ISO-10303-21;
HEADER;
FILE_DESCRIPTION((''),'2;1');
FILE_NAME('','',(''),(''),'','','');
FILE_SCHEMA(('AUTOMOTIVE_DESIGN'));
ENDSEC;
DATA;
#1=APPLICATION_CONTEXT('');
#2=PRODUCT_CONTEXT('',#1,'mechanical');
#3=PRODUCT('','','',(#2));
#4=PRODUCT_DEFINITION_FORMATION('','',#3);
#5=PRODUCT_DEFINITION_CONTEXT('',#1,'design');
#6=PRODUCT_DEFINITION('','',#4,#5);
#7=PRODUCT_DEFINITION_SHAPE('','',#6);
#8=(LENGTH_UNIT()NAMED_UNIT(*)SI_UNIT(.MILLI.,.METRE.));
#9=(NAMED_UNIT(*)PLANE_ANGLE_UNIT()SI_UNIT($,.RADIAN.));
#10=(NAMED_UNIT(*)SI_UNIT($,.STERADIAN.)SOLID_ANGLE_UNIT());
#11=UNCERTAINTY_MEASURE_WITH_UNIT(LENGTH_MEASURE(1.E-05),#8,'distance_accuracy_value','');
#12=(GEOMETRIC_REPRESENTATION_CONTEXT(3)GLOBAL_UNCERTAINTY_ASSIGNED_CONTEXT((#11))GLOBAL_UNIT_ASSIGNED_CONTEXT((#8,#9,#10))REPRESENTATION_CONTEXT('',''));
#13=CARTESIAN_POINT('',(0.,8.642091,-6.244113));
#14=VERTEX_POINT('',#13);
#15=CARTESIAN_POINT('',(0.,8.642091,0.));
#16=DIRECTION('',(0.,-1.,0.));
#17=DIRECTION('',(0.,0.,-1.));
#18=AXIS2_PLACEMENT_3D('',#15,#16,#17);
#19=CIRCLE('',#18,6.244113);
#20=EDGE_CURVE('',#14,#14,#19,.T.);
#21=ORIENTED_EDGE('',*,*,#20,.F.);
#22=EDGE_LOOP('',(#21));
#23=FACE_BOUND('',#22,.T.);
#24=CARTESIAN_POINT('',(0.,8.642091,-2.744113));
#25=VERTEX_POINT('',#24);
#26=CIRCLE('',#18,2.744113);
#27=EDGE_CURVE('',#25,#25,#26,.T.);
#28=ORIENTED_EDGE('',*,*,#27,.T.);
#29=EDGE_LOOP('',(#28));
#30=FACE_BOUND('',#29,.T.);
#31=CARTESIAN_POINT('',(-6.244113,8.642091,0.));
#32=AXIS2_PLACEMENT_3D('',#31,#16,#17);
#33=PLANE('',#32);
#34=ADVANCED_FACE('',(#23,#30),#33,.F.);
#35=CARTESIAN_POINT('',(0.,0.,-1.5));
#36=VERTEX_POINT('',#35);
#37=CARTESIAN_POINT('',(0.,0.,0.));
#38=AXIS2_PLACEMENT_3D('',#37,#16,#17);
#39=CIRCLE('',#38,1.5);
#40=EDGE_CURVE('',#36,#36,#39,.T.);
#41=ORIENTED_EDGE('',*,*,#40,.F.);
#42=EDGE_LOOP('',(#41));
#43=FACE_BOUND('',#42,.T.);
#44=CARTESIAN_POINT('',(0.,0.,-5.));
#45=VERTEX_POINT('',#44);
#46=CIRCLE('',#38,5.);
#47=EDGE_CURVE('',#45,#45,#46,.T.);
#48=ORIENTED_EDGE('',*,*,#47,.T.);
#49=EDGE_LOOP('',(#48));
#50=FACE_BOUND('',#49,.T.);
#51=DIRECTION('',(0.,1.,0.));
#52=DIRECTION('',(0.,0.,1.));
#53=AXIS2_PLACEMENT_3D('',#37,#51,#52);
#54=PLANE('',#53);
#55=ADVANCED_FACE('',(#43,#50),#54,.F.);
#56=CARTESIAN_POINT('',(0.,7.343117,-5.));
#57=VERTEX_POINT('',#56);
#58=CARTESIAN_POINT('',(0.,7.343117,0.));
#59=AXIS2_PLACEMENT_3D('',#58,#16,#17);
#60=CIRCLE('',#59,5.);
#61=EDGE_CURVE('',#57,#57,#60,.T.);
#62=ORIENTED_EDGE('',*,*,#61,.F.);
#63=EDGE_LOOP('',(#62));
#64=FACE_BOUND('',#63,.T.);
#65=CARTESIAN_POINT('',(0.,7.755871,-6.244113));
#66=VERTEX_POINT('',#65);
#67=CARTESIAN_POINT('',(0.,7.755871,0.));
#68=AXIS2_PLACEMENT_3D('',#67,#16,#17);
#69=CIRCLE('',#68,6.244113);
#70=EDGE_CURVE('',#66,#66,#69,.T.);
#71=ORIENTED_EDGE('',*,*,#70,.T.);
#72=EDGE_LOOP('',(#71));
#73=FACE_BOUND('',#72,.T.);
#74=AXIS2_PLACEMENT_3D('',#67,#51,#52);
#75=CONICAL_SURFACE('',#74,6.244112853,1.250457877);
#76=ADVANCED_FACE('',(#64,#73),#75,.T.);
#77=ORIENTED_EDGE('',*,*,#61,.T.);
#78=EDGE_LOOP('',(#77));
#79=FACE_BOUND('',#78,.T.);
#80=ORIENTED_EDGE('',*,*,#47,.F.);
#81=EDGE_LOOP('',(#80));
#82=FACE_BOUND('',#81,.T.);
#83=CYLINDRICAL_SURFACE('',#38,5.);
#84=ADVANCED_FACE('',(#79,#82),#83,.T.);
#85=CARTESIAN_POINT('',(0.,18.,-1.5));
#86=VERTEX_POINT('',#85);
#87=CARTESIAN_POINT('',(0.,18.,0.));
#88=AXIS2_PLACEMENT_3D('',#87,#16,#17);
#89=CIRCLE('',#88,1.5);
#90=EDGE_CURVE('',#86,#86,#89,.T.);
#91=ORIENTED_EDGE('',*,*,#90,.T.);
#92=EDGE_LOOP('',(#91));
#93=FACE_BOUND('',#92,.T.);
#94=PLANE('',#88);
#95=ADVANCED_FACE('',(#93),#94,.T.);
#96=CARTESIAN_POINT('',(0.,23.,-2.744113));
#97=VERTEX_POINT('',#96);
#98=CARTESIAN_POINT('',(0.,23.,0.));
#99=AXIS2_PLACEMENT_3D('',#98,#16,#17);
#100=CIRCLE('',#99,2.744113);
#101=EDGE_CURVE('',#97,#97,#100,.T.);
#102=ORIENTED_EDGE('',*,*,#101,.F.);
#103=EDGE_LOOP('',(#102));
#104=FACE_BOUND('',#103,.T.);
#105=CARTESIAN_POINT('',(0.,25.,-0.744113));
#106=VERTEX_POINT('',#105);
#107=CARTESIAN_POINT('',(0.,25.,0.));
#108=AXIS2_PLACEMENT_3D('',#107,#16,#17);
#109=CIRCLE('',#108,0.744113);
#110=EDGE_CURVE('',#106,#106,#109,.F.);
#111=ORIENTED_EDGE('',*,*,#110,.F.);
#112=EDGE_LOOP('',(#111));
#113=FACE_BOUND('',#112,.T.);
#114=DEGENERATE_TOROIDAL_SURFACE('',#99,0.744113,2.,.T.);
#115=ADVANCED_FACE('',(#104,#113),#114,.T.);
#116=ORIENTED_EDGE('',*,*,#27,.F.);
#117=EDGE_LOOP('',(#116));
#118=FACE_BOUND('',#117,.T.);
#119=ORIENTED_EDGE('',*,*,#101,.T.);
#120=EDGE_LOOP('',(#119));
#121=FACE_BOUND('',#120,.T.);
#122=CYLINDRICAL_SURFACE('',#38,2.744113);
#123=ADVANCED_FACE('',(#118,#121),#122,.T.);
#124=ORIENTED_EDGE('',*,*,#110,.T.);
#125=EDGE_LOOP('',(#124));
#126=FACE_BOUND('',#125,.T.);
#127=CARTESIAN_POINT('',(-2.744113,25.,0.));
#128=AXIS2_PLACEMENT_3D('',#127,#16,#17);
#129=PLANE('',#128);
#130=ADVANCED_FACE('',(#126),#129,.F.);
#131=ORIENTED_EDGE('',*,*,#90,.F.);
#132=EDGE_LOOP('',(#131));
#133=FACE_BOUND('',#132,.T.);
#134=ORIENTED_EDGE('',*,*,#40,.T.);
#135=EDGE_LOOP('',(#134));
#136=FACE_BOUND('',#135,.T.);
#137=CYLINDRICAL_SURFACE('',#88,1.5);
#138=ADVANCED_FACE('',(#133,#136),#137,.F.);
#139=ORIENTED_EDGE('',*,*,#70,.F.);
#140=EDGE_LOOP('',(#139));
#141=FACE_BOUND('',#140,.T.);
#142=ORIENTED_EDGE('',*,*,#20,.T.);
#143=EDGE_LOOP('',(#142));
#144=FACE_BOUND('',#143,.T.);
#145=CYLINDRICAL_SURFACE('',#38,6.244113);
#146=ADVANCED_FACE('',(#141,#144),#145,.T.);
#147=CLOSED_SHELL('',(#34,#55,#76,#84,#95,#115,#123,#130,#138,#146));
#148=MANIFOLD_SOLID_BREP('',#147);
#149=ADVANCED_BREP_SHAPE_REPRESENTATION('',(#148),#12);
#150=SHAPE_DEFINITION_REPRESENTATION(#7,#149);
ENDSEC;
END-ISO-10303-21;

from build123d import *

# Parameters (mm, degrees)
FILLET1_R          = 2
SKETCH2_R          = 1.5
CUT_EXTRUDE1_DEPTH = 18


with BuildPart() as part:
    # Sketch1 → Revolve1 (revolve)
    with BuildSketch(Plane.XY):
        Polygon((0, 0), (0, 25), (-2.744112853, 25), (-2.744112853, 8.642091449), (-6.244112853, 8.642091449), (-6.244112853, 7.755870593), (-5, 7.343117412), (-5, 0), align=None)
    revolve(axis=Axis((0, 0, 0), (0, 1, 0)))

    # Fillet1
    fillet1_edges = [part.edges().sort_by_distance(p)[0] for p in [
        (2.744112853, 25, 0),
    ]]
    fillet(fillet1_edges, radius=FILLET1_R)

    # Sketch2 → Cut-Extrude1 (cut)
    with BuildSketch(Plane.XZ):
        Circle(SKETCH2_R)
    extrude(amount=-CUT_EXTRUDE1_DEPTH, mode=Mode.SUBTRACT)


solid = part.part
